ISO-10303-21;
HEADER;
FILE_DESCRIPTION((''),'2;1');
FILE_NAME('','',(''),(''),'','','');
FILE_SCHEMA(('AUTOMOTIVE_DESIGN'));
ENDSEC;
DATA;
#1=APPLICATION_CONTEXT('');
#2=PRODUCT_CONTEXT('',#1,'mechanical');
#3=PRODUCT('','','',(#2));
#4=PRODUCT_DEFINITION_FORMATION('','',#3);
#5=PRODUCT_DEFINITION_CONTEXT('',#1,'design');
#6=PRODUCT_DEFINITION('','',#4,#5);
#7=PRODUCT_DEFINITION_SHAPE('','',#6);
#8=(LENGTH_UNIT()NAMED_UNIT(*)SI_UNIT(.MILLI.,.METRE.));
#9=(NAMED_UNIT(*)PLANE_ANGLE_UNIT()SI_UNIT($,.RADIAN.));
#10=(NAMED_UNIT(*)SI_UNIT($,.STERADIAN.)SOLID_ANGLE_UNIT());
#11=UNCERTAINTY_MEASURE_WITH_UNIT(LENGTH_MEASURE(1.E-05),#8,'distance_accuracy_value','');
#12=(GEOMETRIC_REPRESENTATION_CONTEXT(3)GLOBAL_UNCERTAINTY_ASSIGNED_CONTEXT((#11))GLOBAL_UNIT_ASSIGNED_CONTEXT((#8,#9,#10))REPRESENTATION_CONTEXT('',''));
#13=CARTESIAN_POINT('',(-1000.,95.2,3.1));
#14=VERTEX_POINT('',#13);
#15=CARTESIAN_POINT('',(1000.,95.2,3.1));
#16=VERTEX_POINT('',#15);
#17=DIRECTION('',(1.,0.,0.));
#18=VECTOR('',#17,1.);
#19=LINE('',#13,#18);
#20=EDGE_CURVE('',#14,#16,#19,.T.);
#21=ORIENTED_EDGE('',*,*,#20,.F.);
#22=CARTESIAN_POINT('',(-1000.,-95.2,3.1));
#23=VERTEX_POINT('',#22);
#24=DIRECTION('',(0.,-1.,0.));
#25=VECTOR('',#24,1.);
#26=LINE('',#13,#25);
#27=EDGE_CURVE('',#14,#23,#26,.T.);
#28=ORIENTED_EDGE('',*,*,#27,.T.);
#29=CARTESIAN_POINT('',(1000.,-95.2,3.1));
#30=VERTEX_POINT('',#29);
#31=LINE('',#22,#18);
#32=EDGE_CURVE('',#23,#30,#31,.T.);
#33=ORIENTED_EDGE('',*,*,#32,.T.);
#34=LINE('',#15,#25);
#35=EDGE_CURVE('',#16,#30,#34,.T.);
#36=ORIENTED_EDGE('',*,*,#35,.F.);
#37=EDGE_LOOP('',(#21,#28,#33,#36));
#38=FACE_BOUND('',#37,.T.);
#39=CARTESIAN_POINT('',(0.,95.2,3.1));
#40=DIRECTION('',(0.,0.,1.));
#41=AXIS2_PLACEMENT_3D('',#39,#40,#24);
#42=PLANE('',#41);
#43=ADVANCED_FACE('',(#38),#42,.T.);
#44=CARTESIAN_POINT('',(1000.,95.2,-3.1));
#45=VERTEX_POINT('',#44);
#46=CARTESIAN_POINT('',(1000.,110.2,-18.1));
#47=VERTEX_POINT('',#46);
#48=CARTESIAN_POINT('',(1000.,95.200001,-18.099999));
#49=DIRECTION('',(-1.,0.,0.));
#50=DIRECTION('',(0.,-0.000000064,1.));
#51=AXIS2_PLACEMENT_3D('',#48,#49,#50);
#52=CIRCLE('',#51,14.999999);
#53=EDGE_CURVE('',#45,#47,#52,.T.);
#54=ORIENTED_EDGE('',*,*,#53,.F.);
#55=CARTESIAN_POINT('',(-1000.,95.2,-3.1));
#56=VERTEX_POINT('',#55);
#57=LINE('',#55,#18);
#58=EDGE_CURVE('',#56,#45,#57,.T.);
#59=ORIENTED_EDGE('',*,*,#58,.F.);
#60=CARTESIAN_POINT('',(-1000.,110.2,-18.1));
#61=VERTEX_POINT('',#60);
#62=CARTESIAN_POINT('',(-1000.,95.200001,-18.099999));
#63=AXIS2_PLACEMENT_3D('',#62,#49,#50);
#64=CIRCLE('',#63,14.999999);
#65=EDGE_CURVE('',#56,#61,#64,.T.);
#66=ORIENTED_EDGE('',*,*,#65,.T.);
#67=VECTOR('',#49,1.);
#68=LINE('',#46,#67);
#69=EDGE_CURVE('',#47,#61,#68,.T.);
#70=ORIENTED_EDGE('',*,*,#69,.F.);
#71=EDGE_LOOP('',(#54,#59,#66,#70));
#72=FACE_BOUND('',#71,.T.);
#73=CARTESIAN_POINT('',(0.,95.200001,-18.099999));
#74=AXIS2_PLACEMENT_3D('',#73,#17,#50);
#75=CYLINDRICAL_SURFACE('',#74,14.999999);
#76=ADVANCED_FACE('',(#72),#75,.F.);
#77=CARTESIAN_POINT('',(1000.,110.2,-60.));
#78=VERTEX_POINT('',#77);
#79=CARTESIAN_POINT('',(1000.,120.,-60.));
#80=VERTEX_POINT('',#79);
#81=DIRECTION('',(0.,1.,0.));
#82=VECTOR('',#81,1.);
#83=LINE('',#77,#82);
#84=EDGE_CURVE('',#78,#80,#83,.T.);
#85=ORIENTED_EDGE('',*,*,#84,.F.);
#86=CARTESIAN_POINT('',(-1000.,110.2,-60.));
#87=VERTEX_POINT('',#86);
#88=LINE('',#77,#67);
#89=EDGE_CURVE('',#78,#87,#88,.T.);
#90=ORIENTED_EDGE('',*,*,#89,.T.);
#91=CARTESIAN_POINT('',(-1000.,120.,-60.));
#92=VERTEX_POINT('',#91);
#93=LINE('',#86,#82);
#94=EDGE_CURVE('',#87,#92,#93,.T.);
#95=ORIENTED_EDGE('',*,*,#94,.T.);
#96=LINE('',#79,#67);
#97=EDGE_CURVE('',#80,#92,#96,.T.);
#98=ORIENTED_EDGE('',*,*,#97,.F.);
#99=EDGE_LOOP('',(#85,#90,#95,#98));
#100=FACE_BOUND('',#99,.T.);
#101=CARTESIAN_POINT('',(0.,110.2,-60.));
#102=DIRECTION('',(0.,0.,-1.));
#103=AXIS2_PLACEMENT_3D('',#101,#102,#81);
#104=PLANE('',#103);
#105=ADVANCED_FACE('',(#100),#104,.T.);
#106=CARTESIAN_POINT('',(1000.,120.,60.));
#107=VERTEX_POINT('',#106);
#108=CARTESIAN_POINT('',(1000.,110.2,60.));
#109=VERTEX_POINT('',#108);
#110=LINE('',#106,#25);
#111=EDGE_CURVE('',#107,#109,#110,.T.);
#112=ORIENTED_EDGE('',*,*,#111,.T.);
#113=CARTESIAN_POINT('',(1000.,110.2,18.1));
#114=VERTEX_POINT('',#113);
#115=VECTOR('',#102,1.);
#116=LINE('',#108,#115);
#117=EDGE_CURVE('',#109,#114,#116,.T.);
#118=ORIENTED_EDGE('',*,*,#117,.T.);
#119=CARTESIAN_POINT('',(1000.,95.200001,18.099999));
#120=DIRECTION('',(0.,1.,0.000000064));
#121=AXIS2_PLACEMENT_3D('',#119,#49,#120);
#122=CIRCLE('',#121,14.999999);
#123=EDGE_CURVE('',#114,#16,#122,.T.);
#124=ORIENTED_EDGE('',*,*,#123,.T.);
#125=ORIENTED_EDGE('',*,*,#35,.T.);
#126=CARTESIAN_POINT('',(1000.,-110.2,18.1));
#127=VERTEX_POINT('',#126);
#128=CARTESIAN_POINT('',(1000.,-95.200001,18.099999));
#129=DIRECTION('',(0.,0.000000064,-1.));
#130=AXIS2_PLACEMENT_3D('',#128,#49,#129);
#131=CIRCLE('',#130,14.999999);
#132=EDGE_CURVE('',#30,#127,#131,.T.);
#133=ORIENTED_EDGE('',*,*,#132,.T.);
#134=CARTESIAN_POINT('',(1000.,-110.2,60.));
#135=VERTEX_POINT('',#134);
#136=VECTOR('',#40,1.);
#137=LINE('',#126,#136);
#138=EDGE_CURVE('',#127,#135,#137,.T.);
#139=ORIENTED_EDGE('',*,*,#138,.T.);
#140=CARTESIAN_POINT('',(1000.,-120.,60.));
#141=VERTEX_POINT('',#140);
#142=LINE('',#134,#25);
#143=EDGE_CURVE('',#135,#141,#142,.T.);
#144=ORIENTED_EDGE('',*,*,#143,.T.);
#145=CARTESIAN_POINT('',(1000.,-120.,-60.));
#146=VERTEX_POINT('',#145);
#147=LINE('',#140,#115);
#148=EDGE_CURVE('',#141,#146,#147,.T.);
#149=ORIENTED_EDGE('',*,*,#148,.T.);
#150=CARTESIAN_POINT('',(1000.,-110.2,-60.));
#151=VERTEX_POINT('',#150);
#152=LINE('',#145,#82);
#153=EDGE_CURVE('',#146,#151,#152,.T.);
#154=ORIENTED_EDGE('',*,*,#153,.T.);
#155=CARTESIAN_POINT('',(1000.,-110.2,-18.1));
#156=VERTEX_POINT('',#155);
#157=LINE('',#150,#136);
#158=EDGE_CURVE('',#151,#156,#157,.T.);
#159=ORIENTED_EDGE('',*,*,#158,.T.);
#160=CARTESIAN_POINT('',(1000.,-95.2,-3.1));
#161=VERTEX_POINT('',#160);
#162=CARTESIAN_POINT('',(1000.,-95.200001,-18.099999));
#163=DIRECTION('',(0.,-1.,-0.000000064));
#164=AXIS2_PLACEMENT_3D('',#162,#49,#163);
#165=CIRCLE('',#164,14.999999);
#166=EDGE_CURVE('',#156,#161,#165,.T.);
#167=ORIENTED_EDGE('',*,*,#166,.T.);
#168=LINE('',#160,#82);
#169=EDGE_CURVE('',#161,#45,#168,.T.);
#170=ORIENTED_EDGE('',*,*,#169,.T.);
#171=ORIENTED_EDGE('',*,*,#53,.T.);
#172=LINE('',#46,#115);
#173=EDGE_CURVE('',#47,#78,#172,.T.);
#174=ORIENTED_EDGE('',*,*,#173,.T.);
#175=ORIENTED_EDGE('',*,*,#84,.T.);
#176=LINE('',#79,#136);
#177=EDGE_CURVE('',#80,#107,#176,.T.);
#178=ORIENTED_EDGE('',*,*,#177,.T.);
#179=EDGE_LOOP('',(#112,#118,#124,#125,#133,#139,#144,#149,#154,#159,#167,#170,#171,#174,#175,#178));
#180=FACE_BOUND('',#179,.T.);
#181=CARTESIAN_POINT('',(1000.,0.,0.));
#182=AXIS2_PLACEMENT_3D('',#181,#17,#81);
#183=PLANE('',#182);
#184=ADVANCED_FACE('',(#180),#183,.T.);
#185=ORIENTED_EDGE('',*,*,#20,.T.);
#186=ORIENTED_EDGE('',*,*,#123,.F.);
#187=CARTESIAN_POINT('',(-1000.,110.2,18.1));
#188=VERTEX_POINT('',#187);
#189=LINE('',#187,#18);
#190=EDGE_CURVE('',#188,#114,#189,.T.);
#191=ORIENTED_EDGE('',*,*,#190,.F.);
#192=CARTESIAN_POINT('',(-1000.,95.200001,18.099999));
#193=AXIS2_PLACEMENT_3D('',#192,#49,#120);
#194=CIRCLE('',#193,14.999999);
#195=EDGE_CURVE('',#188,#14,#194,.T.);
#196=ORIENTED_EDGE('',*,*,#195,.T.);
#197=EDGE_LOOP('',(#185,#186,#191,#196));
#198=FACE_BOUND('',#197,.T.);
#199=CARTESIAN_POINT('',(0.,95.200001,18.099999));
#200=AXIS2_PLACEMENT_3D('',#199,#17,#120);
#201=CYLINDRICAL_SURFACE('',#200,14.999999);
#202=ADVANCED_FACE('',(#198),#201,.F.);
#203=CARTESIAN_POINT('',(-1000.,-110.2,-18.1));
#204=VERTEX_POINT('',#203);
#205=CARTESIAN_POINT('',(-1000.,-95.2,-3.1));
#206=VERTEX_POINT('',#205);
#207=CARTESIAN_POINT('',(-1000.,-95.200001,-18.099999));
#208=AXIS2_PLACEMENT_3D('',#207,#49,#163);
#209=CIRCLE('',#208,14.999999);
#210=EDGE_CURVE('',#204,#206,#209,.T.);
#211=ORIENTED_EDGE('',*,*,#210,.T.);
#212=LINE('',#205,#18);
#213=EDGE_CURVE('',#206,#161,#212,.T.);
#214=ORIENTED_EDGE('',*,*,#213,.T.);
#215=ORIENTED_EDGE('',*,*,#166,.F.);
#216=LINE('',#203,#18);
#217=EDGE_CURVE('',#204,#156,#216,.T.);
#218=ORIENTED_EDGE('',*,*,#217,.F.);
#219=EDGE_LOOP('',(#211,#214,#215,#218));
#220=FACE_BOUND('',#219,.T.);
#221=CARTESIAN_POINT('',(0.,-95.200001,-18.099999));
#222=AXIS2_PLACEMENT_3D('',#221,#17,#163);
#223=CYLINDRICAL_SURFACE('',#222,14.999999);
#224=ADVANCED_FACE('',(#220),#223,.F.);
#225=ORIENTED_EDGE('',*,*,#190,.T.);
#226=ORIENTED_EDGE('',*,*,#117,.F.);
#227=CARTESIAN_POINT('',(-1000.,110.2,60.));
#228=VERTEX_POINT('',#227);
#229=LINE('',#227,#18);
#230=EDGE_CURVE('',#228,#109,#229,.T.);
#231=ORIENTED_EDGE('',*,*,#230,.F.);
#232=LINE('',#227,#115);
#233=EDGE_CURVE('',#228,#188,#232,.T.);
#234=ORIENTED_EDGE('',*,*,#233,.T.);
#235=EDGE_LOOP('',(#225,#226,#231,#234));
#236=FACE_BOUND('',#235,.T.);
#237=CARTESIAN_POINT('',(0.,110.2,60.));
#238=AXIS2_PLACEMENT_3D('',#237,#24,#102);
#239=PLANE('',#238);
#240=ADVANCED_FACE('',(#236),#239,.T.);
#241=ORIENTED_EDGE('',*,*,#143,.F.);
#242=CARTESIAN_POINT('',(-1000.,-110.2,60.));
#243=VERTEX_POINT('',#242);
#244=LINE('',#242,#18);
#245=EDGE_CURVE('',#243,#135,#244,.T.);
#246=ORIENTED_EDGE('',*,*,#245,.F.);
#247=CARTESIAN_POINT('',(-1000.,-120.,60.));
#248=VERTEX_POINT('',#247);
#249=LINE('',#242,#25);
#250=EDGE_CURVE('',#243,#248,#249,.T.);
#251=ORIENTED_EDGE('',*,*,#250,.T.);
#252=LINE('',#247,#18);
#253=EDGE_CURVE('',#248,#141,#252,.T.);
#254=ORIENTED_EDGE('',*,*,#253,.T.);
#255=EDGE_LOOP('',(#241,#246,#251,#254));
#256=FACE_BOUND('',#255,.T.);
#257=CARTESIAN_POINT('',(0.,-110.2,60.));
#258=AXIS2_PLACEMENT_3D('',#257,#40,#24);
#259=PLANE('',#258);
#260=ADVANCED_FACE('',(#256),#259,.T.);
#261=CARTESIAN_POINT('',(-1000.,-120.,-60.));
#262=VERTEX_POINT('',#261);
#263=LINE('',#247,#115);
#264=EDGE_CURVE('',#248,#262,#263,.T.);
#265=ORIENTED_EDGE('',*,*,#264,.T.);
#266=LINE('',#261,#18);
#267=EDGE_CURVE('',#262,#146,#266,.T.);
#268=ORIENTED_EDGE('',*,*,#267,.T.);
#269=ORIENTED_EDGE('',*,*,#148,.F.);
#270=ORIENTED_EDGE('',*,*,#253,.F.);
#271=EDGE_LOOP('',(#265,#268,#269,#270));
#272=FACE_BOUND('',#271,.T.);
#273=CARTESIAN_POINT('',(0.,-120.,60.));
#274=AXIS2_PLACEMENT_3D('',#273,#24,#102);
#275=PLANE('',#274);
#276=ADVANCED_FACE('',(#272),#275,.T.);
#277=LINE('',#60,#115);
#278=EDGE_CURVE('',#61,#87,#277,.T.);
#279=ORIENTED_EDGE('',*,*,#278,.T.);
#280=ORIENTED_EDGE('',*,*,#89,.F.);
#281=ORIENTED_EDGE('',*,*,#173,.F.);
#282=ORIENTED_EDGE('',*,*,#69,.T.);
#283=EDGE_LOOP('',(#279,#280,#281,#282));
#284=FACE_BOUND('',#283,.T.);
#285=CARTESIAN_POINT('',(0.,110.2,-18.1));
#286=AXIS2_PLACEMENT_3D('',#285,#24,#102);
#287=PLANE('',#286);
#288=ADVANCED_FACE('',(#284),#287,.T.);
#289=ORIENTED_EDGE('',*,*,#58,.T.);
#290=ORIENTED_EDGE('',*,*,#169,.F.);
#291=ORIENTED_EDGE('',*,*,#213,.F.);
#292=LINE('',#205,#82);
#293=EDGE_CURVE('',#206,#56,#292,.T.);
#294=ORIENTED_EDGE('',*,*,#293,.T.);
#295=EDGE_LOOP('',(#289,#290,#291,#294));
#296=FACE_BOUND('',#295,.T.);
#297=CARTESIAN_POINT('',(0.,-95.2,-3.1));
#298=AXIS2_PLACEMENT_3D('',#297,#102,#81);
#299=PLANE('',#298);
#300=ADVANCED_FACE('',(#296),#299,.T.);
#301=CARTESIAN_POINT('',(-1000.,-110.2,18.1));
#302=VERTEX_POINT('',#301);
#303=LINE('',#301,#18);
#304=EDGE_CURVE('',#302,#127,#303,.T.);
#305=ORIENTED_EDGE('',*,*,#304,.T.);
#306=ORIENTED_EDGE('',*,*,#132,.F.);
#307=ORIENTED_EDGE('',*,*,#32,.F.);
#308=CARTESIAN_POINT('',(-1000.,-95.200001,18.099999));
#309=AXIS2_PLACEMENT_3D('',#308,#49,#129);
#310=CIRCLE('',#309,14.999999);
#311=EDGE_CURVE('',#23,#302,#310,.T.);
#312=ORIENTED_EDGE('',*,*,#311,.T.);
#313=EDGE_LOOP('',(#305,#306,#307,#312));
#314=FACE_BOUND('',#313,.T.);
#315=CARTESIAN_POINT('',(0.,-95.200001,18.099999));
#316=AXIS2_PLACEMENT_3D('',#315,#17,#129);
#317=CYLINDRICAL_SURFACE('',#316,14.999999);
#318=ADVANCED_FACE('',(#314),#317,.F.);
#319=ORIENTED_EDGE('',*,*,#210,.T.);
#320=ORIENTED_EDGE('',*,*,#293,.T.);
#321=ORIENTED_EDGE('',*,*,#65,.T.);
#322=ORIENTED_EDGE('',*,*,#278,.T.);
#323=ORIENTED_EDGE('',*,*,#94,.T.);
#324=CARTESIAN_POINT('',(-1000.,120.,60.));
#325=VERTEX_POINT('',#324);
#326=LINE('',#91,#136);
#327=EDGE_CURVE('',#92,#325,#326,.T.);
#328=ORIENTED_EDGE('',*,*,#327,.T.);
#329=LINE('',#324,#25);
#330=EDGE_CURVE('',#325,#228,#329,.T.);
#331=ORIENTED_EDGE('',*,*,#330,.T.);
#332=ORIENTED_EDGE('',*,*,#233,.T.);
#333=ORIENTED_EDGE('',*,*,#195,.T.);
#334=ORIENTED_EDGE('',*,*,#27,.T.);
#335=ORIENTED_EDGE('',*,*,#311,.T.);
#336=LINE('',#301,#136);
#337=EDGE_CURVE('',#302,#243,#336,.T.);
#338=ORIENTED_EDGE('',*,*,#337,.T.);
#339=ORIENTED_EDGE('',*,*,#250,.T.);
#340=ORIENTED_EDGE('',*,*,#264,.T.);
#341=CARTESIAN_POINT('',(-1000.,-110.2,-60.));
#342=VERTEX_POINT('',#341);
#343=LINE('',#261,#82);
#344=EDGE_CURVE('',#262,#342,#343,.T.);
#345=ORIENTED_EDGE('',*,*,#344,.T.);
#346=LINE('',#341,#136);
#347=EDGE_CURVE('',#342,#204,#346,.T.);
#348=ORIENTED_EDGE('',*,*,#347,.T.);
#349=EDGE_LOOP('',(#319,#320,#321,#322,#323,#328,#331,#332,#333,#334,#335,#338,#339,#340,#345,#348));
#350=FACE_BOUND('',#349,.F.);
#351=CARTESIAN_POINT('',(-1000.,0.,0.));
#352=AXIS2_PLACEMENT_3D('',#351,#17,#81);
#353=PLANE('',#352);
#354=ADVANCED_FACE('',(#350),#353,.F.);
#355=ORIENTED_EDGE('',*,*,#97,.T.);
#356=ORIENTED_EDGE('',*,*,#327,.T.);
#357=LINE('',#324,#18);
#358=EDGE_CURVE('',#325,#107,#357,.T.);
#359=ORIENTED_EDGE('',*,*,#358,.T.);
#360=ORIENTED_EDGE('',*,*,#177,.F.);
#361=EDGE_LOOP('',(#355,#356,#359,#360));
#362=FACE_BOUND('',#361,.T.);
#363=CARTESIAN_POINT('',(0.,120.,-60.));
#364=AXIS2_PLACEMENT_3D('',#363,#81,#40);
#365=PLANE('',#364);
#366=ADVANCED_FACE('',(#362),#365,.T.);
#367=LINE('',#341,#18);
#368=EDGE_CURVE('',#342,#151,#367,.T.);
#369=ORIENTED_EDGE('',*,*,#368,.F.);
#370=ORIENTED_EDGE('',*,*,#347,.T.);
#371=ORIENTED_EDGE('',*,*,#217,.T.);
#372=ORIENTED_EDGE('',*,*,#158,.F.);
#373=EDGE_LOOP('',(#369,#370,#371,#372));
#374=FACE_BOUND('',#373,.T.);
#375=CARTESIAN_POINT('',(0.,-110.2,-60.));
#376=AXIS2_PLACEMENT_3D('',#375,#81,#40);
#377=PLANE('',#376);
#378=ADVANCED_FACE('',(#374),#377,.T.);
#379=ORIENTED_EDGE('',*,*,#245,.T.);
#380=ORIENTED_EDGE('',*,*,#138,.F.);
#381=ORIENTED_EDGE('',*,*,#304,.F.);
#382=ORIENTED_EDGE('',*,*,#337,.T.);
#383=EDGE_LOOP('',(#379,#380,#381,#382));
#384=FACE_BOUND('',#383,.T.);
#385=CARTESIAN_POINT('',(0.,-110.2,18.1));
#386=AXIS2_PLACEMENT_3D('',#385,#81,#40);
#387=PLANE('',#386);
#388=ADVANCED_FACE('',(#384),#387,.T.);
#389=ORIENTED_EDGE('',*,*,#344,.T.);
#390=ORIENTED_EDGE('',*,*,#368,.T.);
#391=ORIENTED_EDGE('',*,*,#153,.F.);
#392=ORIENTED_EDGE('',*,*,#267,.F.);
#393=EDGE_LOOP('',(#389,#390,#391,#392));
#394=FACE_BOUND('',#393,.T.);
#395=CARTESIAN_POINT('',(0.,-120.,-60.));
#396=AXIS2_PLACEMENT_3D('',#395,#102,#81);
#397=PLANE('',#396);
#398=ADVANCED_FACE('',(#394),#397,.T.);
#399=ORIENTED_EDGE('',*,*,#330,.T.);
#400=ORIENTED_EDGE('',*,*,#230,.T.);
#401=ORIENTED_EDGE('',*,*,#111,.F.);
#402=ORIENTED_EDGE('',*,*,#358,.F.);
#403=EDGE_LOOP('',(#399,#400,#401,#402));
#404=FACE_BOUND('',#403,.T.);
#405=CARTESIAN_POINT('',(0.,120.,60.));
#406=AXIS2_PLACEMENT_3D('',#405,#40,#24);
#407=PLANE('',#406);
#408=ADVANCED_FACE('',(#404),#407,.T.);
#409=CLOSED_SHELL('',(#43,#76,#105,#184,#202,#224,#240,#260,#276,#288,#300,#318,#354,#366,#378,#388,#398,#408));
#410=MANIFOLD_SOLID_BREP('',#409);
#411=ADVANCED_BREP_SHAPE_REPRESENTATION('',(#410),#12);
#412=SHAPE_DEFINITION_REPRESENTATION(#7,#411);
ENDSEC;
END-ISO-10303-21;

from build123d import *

# Parameters (mm, degrees)
F1_DEPTH = 1000


with BuildPart() as f1:
    # F0 (on Right) → F1 (new body, symmetric)
    with BuildSketch(Plane.YZ):
        with BuildLine():
            Line((120, -60), (120, 60))
            Line((120, 60), (110.2, 60))
            Line((110.2, 60), (110.2, 18.1))
            ThreePointArc((110.2, 18.1), (105.806602, 7.493398), (95.2, 3.1))
            Line((95.2, 3.1), (-95.2, 3.1))
            ThreePointArc((-95.2, 3.1), (-105.806602, 7.493398), (-110.2, 18.1))
            Line((-110.2, 18.1), (-110.2, 60))
            Line((-110.2, 60), (-120, 60))
            Line((-120, 60), (-120, -60))
            Line((-120, -60), (-110.2, -60))
            Line((-110.2, -60), (-110.2, -18.1))
            ThreePointArc((-110.2, -18.1), (-105.806602, -7.493398), (-95.2, -3.1))
            Line((-95.2, -3.1), (95.2, -3.1))
            ThreePointArc((95.2, -3.1), (105.806602, -7.493398), (110.2, -18.1))
            Line((110.2, -18.1), (110.2, -60))
            Line((110.2, -60), (120, -60))
        make_face()
    extrude(amount=F1_DEPTH, both=True)


solid = f1.part
